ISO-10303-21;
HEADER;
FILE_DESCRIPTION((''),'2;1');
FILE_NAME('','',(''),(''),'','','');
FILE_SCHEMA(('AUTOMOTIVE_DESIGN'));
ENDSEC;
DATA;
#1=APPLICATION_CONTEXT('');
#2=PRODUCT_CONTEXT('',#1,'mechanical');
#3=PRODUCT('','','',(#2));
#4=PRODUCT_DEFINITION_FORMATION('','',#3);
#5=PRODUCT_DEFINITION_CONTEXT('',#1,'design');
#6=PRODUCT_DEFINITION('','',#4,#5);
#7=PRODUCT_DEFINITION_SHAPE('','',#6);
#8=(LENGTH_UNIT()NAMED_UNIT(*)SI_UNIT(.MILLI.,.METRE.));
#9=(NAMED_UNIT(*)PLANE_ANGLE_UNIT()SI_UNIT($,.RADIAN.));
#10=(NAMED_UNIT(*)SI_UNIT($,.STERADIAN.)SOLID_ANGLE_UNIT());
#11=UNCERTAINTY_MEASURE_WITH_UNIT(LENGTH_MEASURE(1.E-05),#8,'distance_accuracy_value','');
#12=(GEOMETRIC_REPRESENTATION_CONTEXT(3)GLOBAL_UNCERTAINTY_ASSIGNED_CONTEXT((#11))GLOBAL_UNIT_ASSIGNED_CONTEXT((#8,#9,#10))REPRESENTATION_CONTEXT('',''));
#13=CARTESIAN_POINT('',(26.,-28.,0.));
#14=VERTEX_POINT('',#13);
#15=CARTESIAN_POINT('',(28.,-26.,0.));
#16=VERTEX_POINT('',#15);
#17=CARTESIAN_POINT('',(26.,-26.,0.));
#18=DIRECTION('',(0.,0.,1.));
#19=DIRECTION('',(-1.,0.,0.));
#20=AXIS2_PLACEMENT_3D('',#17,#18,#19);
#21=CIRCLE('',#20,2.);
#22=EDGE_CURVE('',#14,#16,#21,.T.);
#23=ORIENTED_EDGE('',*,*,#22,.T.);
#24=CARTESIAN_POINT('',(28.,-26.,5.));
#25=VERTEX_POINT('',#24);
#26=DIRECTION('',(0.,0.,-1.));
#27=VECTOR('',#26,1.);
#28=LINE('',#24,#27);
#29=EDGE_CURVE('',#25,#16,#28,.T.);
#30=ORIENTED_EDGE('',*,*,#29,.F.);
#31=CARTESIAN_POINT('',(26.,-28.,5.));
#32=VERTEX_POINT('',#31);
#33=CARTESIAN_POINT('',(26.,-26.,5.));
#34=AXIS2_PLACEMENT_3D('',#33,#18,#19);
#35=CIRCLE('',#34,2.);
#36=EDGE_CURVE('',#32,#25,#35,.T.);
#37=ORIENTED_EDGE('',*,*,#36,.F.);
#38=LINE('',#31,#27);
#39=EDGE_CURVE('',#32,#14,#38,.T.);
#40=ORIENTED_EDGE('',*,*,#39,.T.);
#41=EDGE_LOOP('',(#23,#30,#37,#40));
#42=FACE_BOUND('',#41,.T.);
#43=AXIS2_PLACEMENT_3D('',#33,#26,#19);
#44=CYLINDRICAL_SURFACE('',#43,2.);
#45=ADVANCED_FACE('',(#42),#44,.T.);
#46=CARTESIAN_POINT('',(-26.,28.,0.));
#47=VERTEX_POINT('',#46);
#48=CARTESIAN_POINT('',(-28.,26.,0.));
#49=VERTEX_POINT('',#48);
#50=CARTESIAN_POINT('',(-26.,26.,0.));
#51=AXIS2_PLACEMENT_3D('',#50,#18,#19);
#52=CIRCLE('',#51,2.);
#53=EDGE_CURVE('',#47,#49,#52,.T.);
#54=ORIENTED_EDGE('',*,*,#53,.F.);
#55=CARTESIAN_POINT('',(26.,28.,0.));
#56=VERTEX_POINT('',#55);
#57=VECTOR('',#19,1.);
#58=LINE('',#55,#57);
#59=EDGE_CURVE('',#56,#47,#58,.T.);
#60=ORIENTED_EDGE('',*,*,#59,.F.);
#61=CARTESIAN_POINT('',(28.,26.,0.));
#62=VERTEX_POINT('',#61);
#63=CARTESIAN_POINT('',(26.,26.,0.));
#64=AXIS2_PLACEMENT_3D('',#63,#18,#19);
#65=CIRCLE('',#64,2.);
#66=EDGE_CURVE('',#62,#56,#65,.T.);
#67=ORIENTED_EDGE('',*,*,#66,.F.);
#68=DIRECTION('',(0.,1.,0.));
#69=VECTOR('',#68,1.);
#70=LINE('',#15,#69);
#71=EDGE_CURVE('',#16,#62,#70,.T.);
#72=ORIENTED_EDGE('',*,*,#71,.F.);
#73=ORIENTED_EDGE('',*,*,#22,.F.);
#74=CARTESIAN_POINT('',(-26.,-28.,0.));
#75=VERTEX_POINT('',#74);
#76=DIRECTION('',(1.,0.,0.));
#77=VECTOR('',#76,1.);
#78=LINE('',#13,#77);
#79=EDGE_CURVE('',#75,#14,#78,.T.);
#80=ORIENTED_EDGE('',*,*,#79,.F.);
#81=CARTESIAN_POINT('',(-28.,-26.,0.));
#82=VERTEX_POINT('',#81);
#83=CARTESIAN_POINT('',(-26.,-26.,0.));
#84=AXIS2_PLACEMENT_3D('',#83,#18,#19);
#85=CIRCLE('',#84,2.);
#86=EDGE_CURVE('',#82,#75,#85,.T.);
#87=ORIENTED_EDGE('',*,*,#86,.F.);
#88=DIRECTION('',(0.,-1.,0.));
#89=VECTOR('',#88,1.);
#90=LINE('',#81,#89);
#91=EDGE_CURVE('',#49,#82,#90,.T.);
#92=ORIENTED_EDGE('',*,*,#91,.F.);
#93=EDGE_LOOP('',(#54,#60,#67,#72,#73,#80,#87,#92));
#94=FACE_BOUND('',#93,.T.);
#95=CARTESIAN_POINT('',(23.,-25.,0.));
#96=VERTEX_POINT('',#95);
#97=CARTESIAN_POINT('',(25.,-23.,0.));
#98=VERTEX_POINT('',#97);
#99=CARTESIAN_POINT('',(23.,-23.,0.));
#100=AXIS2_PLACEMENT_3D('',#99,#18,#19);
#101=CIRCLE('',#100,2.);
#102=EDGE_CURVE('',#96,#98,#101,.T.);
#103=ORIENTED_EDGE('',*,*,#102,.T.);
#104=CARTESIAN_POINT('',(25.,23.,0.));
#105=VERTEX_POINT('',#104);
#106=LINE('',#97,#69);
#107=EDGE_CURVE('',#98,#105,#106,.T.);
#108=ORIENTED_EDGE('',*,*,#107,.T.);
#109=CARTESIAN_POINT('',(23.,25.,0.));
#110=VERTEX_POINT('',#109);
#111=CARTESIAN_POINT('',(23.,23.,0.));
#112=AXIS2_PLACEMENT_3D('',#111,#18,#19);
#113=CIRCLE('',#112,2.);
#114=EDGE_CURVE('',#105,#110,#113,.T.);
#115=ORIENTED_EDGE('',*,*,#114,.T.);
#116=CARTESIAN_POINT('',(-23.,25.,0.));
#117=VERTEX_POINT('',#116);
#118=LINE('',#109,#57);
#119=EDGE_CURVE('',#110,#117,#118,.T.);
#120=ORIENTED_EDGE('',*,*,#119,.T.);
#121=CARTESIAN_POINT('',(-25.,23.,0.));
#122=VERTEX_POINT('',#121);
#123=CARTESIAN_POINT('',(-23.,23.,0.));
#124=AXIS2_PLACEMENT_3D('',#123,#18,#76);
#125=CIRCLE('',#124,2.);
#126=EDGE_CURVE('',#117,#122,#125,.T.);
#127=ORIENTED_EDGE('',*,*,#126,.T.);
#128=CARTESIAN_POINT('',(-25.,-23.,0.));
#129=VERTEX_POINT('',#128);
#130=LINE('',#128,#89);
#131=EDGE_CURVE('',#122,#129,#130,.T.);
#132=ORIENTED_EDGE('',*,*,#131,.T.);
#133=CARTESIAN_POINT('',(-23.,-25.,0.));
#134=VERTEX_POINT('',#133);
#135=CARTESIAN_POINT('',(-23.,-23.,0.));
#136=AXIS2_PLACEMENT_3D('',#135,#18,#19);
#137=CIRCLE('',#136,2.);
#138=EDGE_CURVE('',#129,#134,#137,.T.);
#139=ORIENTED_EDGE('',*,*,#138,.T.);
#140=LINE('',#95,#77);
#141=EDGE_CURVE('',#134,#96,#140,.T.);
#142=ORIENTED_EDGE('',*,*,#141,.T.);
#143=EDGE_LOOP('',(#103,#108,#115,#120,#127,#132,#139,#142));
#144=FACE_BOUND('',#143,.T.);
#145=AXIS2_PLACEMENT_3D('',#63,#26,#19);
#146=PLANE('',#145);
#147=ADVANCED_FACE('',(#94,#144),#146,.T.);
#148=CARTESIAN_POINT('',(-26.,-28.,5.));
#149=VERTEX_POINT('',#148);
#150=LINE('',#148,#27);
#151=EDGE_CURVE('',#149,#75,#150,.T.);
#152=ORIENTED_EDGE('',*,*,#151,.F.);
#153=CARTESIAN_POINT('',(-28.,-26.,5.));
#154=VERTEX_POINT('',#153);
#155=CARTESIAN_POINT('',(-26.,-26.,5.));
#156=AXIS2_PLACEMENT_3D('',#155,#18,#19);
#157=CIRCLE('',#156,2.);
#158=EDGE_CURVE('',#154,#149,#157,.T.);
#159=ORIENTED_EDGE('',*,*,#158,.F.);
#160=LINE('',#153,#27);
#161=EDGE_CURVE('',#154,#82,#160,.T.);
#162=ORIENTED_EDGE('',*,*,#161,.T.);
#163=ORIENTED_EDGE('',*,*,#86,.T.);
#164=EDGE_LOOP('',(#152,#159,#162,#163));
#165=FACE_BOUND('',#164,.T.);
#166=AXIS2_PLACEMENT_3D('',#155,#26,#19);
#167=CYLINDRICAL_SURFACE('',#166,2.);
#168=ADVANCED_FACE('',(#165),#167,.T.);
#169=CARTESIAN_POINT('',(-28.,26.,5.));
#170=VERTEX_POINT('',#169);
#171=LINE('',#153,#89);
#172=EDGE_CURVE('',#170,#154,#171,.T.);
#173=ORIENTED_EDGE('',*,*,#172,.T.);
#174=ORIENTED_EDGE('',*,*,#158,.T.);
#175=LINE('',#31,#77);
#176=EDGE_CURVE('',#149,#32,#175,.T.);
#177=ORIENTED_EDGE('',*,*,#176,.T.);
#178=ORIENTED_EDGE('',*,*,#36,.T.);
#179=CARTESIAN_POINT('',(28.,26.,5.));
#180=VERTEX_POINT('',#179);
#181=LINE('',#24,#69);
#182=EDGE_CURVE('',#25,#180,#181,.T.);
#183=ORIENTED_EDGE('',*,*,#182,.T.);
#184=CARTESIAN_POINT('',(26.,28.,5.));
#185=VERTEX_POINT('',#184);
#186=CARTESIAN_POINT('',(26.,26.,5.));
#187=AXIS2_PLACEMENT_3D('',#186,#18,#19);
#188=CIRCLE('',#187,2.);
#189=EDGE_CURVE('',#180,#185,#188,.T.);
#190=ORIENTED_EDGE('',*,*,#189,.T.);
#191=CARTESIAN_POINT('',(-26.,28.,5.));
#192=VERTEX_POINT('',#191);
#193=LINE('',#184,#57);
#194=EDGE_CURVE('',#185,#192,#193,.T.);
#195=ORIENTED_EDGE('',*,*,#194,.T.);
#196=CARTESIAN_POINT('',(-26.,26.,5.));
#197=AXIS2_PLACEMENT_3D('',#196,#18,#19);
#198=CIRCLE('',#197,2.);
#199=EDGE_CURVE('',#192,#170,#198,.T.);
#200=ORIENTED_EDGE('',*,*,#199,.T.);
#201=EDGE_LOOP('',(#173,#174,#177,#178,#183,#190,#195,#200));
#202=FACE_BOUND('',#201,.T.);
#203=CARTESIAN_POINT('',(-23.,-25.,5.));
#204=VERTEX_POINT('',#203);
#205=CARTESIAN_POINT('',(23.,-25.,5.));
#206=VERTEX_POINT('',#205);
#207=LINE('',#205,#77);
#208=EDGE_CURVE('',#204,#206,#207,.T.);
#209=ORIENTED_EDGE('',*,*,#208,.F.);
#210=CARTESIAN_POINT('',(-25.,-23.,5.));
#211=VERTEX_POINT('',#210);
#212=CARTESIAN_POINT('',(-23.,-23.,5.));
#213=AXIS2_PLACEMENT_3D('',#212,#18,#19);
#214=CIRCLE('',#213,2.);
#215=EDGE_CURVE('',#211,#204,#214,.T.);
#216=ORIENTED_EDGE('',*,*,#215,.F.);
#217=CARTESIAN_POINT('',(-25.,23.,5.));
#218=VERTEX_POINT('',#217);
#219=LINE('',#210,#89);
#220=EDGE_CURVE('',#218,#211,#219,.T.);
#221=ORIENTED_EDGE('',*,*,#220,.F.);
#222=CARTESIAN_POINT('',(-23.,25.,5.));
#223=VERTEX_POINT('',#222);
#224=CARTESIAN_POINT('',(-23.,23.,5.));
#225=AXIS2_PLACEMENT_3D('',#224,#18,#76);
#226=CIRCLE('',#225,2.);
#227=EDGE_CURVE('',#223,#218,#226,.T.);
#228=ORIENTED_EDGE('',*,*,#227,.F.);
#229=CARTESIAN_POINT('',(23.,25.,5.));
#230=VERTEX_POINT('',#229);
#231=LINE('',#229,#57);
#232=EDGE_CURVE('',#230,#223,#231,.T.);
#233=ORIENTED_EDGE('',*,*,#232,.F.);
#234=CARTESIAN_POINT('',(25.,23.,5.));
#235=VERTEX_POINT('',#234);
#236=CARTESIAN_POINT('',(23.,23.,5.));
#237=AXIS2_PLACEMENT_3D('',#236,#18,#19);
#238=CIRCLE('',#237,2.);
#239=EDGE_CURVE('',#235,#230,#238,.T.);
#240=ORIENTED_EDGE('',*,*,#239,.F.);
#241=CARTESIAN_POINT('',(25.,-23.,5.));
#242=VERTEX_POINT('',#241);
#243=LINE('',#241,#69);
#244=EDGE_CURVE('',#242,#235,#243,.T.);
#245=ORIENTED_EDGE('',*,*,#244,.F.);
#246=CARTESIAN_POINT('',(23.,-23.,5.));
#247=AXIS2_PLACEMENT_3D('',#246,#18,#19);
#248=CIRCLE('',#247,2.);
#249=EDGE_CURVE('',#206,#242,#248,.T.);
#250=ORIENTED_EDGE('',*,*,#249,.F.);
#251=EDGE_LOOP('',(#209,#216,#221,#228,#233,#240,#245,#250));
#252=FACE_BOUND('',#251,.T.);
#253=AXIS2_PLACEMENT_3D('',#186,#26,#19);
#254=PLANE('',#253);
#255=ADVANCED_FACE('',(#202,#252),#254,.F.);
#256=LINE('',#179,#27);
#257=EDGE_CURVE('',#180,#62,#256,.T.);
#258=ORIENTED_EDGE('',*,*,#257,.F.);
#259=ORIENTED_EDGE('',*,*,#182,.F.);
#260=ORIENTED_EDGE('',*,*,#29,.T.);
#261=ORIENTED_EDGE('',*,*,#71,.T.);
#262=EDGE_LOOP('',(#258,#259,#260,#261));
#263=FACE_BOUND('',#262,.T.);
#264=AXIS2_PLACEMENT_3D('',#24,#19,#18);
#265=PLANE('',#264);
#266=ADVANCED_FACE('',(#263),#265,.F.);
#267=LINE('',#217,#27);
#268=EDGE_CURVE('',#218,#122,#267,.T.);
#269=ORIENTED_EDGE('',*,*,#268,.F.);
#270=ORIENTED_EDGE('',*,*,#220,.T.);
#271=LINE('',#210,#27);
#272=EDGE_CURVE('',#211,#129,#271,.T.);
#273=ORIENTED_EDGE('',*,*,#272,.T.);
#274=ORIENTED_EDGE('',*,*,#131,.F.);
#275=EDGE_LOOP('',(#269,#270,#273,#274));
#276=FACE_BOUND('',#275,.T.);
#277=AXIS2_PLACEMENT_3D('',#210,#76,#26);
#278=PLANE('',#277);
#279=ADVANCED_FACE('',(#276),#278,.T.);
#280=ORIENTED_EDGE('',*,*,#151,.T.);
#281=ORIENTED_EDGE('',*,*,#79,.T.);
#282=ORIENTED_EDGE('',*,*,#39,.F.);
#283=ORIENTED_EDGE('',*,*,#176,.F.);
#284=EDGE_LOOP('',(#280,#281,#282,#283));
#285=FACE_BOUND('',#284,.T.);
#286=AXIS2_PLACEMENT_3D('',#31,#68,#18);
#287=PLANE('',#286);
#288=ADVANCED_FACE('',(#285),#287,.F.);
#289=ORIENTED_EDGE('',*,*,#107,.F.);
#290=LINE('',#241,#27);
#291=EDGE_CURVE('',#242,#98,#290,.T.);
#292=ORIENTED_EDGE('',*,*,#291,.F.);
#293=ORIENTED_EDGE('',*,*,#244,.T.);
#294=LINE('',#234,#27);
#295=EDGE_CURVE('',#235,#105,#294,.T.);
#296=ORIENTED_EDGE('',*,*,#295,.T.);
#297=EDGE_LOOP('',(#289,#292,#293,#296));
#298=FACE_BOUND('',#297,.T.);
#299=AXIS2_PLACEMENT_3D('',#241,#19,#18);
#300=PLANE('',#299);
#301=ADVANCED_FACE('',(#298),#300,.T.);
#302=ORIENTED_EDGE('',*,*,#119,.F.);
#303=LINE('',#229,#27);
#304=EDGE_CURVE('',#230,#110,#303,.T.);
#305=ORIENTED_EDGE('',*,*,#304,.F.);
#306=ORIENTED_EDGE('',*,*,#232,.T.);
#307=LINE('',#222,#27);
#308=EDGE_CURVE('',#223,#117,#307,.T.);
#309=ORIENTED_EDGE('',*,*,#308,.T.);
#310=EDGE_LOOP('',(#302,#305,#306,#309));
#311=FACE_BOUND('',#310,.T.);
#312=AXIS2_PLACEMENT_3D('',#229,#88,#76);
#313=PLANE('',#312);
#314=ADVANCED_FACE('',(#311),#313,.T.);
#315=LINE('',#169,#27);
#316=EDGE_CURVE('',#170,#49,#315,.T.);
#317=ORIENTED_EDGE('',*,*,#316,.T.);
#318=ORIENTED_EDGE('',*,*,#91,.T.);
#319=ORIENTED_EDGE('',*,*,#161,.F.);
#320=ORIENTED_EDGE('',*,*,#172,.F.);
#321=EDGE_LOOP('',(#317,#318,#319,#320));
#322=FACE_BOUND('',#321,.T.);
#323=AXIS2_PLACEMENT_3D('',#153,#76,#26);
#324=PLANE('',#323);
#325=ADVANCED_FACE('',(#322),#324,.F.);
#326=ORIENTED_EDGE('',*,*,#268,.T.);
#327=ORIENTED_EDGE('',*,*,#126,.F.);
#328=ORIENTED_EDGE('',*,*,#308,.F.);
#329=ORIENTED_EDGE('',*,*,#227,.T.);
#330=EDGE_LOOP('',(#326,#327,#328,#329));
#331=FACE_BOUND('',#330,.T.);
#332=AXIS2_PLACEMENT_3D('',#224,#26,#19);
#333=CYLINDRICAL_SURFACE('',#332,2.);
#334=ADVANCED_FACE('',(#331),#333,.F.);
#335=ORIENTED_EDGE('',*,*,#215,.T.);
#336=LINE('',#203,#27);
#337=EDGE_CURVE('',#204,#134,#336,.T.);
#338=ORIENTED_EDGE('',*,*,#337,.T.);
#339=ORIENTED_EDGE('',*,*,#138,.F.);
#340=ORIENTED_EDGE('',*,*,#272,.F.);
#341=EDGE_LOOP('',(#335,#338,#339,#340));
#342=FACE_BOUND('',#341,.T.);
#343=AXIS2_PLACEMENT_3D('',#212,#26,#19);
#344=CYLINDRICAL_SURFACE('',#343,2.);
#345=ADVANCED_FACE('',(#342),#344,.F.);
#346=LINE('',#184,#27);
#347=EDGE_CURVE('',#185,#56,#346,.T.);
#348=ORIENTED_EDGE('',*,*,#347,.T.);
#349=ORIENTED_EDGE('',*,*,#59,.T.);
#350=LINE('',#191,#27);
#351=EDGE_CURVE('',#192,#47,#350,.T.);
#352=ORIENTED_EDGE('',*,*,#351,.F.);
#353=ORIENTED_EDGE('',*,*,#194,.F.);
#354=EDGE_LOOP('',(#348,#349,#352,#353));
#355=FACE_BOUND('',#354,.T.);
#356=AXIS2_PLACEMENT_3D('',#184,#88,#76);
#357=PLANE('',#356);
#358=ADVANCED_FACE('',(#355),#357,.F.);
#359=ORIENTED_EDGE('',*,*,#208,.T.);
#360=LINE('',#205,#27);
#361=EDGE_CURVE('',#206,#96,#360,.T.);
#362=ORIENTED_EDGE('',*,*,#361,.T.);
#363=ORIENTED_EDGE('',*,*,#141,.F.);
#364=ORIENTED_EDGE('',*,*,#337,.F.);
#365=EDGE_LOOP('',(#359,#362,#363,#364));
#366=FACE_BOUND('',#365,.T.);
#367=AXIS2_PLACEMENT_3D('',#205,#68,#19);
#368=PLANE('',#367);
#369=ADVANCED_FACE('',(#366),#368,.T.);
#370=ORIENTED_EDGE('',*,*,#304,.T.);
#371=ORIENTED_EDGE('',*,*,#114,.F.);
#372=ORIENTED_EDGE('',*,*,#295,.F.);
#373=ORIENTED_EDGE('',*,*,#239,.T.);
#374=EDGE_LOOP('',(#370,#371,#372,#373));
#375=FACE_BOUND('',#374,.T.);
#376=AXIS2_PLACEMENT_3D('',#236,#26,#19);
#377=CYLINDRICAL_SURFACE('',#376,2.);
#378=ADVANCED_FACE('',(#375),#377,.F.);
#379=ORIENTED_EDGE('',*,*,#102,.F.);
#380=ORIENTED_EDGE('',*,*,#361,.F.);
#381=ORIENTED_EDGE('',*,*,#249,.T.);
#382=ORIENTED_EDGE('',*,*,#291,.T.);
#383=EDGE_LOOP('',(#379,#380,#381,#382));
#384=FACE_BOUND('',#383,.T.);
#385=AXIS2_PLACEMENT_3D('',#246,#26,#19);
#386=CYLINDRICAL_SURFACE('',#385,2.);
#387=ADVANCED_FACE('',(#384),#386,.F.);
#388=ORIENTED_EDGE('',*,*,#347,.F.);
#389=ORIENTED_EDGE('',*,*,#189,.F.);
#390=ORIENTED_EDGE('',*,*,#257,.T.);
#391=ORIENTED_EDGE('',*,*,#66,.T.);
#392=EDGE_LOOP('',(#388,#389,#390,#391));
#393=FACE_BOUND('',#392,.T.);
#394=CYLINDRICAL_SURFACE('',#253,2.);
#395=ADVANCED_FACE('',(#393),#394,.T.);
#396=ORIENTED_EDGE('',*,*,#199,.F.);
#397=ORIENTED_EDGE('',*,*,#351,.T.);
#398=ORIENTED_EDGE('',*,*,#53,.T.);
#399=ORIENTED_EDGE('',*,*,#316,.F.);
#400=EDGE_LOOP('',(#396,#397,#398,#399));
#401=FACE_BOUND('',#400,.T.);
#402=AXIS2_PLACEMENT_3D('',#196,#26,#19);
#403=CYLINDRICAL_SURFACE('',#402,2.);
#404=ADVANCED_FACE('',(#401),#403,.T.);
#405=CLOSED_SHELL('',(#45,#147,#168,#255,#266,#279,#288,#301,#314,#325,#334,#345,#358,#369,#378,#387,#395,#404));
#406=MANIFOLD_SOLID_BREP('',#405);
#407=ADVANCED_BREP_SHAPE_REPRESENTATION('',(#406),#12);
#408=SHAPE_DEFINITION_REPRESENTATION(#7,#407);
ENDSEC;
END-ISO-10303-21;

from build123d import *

# Parameters (mm, degrees)
EXTRUDE_1_DEPTH = 5


with BuildPart() as part:
    # Эскиз1 → Бобышка-Вытянуть1 (new body)
    with BuildSketch(Plane.XY):
        with BuildLine():
            Line((26, -28), (-26, -28))
            ThreePointArc((-26, -28), (-27.414213562, -27.414213562), (-28, -26))
            Line((-28, -26), (-28, 26))
            ThreePointArc((-28, 26), (-27.414213562, 27.414213562), (-26, 28))
            Line((-26, 28), (26, 28))
            ThreePointArc((26, 28), (27.414213562, 27.414213562), (28, 26))
            Line((28, 26), (28, -26))
            ThreePointArc((28, -26), (27.414213562, -27.414213562), (26, -28))
        make_face()
        with BuildLine():
            Line((23, -25), (-23, -25))
            ThreePointArc((-23, -25), (-24.414213562, -24.414213562), (-25, -23))
            Line((-25, -23), (-25, 23))
            ThreePointArc((-25, 23), (-24.414213562, 24.414213562), (-23, 25))
            Line((-23, 25), (23, 25))
            ThreePointArc((23, 25), (24.414213562, 24.414213562), (25, 23))
            Line((25, 23), (25, -23))
            ThreePointArc((25, -23), (24.414213562, -24.414213562), (23, -25))
        make_face(mode=Mode.SUBTRACT)
    extrude(amount=EXTRUDE_1_DEPTH)


solid = part.part
